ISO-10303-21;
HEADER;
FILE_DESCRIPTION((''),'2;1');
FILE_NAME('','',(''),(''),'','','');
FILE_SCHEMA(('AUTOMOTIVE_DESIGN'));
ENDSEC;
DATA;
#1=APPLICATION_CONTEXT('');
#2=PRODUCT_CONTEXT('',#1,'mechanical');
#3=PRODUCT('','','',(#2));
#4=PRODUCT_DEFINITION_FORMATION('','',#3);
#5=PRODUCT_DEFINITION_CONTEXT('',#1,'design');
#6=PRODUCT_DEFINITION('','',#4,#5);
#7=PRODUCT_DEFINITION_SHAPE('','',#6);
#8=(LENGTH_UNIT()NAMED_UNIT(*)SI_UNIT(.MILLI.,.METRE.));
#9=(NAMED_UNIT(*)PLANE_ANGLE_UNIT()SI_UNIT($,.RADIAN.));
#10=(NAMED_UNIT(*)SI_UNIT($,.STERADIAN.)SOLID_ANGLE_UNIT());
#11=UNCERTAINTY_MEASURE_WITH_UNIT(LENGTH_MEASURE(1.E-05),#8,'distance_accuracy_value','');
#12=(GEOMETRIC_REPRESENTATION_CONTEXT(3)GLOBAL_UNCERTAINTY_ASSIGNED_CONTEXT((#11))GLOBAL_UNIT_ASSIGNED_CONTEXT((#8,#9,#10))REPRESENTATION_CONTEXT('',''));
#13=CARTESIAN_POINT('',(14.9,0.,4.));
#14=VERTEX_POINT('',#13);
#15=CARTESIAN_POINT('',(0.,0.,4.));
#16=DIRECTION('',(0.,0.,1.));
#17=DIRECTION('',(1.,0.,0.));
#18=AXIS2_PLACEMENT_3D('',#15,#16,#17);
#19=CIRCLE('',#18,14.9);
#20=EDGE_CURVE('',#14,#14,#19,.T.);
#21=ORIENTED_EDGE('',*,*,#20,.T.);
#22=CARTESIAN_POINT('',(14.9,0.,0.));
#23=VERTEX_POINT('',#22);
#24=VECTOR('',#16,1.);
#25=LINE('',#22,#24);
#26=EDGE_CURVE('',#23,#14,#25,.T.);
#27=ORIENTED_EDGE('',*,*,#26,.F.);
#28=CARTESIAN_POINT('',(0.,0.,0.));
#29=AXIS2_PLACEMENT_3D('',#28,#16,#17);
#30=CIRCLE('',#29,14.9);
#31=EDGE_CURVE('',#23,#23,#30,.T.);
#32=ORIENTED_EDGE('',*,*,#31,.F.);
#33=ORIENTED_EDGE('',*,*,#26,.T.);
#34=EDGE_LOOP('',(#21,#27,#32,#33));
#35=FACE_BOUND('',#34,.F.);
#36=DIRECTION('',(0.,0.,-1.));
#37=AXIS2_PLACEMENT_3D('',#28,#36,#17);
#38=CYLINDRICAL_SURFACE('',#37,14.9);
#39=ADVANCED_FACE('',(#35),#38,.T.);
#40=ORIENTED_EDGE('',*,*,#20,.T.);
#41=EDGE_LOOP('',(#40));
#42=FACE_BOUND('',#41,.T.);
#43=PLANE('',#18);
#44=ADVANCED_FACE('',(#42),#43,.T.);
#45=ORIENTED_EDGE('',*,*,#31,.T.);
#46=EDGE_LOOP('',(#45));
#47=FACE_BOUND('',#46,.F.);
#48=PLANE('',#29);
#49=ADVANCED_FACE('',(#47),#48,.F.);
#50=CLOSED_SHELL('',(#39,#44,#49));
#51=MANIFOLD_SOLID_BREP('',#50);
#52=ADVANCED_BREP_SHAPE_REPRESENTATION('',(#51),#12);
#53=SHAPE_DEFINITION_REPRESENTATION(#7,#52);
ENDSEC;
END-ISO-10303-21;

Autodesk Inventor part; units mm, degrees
ref_plane "우측면도" through (0, 0, 0) normal (1, 0, 0) x (0, 1, 0)
ref_plane "평면도" through (0, 0, 0) normal (0, 1, 0) x (-1, 0, 0)
ref_plane "정면도" through (0, 0, 0) normal (0, 0, 1) x (1, 0, 0)
sketch "스케치1" plane through (0, 0, 0) normal (0, 0, 1) x (1, 0, 0)
  circle A0 centre (0, 0) radius 14.9
  dimension "d0" = 29.8
extrude "돌출1" add sketch "스케치1" along normal blind 4
properties part number "통풍구"
